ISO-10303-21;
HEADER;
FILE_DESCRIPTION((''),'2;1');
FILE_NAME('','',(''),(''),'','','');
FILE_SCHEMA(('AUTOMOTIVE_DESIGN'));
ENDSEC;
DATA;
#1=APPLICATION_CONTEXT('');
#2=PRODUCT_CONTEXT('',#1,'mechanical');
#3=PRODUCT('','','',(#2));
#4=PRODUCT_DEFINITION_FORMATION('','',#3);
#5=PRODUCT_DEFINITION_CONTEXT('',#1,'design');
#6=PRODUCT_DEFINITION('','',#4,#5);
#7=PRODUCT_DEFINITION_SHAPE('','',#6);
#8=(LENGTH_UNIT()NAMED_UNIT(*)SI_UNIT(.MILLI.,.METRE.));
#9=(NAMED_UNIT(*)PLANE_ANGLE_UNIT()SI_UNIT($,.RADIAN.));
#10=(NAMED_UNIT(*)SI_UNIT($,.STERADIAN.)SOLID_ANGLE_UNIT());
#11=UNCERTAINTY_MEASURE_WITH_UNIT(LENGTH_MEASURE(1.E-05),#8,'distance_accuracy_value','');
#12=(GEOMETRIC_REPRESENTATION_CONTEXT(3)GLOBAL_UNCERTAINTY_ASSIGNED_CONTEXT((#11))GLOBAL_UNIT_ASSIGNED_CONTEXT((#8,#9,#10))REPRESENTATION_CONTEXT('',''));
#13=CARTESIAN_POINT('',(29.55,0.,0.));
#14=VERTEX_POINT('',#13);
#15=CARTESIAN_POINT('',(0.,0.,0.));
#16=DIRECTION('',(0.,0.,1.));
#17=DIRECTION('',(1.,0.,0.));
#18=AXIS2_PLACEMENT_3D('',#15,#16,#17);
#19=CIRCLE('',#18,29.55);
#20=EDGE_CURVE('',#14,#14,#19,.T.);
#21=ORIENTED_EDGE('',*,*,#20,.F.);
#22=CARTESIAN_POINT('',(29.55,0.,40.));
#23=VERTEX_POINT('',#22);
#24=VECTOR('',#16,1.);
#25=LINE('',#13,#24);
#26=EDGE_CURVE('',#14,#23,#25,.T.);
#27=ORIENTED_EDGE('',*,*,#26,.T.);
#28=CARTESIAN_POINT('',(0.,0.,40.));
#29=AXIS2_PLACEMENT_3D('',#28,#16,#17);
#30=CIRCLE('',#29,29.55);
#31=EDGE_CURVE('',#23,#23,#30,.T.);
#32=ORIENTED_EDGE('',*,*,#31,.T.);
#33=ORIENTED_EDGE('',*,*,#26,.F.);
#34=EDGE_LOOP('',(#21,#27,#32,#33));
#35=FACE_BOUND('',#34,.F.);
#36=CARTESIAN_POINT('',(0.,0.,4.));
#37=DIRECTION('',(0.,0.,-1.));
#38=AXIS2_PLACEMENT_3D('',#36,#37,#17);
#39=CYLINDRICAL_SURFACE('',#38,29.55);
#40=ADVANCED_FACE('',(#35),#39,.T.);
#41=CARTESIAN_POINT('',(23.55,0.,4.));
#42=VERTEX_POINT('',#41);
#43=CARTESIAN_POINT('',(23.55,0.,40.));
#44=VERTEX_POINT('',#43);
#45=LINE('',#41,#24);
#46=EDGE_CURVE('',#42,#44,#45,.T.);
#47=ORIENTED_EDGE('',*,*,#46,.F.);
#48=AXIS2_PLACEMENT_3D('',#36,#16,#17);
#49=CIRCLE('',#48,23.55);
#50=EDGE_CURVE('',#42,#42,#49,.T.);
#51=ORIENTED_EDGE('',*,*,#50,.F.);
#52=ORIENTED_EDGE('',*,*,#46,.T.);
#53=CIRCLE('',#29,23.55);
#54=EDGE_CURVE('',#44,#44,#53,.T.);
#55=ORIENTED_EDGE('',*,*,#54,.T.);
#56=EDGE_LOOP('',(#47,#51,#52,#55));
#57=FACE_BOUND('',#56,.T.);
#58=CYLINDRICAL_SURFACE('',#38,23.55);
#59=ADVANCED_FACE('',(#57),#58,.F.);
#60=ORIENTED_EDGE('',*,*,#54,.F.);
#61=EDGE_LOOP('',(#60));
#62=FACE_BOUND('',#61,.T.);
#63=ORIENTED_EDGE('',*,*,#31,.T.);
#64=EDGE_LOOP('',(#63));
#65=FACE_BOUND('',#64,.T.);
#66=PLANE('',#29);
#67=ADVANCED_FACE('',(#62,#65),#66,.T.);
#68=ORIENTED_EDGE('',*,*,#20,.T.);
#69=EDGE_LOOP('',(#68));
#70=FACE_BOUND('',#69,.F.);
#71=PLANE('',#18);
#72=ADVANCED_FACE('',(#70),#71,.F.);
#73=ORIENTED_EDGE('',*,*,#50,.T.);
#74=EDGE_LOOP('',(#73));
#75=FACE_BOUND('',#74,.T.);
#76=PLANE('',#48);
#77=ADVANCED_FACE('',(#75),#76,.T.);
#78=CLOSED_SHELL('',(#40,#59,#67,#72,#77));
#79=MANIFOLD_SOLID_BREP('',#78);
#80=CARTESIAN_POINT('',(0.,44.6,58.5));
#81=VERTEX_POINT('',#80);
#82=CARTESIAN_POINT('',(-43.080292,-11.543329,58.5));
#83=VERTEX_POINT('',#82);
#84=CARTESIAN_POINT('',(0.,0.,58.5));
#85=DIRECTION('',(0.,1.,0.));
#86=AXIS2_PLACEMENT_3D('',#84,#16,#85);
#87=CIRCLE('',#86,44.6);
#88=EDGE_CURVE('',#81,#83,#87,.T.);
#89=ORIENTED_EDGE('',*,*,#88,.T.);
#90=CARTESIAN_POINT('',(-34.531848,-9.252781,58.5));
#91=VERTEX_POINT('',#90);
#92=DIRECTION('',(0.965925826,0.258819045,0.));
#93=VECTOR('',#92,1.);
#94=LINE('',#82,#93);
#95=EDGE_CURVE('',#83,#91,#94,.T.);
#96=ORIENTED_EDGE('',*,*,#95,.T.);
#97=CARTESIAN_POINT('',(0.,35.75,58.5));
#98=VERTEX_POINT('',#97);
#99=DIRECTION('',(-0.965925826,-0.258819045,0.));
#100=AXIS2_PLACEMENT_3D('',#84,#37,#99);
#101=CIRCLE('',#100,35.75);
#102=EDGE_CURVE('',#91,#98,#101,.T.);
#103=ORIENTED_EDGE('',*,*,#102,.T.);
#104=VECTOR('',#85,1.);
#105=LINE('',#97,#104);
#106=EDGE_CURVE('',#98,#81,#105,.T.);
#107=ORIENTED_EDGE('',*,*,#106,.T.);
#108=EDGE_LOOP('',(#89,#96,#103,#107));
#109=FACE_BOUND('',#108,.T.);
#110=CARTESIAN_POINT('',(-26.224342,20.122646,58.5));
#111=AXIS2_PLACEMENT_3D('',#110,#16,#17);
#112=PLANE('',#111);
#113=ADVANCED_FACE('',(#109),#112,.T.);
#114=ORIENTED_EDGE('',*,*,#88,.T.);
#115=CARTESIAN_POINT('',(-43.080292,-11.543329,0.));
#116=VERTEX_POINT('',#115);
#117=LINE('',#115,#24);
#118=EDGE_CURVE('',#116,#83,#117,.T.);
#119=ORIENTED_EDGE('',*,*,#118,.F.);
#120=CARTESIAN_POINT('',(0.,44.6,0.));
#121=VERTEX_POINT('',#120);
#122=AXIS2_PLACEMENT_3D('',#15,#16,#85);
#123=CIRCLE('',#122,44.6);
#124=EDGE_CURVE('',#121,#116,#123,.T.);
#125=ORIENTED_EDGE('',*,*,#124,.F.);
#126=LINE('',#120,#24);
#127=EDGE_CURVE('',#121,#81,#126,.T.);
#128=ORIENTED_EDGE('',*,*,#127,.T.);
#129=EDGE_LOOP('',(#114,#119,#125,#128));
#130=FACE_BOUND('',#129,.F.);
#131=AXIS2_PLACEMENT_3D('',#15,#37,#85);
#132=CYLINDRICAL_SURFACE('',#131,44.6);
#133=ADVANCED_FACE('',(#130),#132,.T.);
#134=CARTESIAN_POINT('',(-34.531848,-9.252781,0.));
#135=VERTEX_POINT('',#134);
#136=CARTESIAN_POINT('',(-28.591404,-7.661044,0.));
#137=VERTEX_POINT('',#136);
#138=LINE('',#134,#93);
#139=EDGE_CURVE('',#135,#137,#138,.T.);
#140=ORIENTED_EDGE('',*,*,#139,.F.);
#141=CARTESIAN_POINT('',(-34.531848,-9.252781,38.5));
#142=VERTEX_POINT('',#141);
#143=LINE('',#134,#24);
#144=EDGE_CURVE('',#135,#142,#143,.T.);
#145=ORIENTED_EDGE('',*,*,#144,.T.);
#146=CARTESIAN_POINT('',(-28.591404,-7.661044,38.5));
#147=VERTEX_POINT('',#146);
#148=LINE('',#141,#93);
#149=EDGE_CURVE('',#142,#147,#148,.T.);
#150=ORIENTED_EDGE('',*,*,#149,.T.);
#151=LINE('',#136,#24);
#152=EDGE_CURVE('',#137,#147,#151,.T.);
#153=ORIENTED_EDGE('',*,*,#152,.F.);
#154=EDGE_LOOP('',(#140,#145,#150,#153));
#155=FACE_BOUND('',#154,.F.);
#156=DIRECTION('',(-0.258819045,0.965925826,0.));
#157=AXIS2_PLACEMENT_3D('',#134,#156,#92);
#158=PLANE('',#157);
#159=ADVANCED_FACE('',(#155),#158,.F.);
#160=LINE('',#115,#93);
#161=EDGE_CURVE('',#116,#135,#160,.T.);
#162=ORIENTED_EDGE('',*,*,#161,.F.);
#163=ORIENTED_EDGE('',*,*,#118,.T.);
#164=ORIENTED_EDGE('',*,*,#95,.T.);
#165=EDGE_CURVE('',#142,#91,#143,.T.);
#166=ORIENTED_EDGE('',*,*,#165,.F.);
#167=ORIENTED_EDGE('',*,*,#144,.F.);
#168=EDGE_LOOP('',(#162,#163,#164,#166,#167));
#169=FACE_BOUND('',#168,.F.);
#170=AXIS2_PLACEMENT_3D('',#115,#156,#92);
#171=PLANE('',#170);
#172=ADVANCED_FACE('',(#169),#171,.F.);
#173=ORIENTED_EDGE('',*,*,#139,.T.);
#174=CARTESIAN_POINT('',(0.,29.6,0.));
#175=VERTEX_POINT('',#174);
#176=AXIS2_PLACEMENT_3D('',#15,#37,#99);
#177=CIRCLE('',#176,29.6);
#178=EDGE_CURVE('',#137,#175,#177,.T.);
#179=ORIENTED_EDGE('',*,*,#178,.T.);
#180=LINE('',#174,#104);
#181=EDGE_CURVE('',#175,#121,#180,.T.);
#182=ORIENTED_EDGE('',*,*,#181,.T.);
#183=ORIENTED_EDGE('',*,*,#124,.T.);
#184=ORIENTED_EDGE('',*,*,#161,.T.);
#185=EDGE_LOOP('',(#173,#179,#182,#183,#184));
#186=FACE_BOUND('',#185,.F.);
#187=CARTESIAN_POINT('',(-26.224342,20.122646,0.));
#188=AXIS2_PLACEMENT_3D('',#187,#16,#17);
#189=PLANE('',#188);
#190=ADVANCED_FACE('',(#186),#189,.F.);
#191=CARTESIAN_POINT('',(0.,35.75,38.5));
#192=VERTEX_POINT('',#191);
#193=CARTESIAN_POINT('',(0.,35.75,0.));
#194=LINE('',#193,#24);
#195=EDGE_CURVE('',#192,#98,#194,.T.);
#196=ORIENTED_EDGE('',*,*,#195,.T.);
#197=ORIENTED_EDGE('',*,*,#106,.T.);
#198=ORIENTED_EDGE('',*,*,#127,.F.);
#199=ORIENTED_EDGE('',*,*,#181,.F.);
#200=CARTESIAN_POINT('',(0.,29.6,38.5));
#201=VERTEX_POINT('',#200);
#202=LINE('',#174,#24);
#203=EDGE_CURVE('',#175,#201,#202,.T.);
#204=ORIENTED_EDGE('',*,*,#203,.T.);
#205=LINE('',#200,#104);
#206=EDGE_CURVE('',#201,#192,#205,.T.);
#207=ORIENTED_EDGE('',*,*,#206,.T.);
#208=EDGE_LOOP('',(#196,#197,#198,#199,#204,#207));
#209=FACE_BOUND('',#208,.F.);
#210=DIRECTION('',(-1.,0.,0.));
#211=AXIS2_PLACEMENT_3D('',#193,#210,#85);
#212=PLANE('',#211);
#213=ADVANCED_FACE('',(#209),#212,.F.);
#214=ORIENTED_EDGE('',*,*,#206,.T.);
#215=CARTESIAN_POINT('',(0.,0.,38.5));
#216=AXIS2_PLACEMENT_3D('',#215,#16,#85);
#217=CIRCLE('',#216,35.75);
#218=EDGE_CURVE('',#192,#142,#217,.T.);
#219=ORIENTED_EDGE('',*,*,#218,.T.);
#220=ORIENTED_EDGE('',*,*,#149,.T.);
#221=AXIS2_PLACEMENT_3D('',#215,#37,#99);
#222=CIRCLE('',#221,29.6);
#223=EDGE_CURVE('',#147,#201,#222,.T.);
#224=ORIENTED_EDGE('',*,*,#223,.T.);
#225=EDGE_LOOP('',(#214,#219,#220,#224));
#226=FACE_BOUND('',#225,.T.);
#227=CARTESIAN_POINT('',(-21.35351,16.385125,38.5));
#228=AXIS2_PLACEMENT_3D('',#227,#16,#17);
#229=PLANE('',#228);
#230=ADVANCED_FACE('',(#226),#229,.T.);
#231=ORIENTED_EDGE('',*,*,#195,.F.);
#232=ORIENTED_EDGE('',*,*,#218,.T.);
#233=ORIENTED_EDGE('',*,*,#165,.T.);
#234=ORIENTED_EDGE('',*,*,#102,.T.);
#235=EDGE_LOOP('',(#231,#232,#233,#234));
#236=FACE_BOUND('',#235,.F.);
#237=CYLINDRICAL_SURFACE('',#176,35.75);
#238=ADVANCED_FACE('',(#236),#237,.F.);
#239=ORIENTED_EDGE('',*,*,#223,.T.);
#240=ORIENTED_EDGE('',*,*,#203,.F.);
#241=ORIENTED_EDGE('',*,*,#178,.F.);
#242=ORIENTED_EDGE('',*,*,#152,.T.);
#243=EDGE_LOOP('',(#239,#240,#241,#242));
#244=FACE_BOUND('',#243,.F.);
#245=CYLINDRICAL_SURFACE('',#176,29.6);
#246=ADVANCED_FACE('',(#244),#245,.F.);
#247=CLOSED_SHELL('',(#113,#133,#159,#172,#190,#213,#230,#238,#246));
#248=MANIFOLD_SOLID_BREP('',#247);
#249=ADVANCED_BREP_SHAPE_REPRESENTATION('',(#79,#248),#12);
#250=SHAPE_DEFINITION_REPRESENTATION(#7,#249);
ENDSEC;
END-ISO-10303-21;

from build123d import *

# Parameters (mm, degrees)
F0_R     = 29.55
F1_DEPTH = 4
F2_R     = 29.55
F2_R_2   = 23.55
F3_DEPTH = 36
F5_DEPTH = 38.5
F6_DEPTH = 58.5


with BuildPart() as f1:
    # F0 (on Top) → F1 (new body)
    with BuildSketch(Plane.XY):
        Circle(F0_R)
    extrude(amount=F1_DEPTH)

    # F2 (on face) → F3 (join)
    with BuildSketch(Plane.XY.offset(4)):
        Circle(F2_R)
        Circle(F2_R_2, mode=Mode.SUBTRACT)
    extrude(amount=F3_DEPTH)


with BuildPart() as f5:
    # F4 (on Top) → F5 (new body)
    with BuildSketch(Plane.XY):
        with BuildLine():
            ThreePointArc((-28.5914044582, -7.661043735), (-23.4832588726, 18.0193382987), (0, 29.6))
            Line((0, 29.6), (0, 35.75))
            ThreePointArc((0, 35.75), (-28.3623819154, 21.7632210871), (-34.5318482898, -9.2527808624))
            Line((-34.5318482898, -9.2527808624), (-28.5914044582, -7.661043735))
        make_face()
    extrude(amount=F5_DEPTH)

    # F4 (on Top) → F6 (join)
    with BuildSketch(Plane.XY):
        with BuildLine():
            ThreePointArc((-34.5318482898, -9.2527808624), (-28.3623819154, 21.7632210871), (0, 35.75))
            Line((0, 35.75), (0, 44.6))
            ThreePointArc((0, 44.6), (-35.383558977, 27.1507597338), (-43.0802918525, -11.5433294116))
            Line((-43.0802918525, -11.5433294116), (-34.5318482898, -9.2527808624))
        make_face()
    extrude(amount=F6_DEPTH)


solid = Compound([f1.part, f5.part])
